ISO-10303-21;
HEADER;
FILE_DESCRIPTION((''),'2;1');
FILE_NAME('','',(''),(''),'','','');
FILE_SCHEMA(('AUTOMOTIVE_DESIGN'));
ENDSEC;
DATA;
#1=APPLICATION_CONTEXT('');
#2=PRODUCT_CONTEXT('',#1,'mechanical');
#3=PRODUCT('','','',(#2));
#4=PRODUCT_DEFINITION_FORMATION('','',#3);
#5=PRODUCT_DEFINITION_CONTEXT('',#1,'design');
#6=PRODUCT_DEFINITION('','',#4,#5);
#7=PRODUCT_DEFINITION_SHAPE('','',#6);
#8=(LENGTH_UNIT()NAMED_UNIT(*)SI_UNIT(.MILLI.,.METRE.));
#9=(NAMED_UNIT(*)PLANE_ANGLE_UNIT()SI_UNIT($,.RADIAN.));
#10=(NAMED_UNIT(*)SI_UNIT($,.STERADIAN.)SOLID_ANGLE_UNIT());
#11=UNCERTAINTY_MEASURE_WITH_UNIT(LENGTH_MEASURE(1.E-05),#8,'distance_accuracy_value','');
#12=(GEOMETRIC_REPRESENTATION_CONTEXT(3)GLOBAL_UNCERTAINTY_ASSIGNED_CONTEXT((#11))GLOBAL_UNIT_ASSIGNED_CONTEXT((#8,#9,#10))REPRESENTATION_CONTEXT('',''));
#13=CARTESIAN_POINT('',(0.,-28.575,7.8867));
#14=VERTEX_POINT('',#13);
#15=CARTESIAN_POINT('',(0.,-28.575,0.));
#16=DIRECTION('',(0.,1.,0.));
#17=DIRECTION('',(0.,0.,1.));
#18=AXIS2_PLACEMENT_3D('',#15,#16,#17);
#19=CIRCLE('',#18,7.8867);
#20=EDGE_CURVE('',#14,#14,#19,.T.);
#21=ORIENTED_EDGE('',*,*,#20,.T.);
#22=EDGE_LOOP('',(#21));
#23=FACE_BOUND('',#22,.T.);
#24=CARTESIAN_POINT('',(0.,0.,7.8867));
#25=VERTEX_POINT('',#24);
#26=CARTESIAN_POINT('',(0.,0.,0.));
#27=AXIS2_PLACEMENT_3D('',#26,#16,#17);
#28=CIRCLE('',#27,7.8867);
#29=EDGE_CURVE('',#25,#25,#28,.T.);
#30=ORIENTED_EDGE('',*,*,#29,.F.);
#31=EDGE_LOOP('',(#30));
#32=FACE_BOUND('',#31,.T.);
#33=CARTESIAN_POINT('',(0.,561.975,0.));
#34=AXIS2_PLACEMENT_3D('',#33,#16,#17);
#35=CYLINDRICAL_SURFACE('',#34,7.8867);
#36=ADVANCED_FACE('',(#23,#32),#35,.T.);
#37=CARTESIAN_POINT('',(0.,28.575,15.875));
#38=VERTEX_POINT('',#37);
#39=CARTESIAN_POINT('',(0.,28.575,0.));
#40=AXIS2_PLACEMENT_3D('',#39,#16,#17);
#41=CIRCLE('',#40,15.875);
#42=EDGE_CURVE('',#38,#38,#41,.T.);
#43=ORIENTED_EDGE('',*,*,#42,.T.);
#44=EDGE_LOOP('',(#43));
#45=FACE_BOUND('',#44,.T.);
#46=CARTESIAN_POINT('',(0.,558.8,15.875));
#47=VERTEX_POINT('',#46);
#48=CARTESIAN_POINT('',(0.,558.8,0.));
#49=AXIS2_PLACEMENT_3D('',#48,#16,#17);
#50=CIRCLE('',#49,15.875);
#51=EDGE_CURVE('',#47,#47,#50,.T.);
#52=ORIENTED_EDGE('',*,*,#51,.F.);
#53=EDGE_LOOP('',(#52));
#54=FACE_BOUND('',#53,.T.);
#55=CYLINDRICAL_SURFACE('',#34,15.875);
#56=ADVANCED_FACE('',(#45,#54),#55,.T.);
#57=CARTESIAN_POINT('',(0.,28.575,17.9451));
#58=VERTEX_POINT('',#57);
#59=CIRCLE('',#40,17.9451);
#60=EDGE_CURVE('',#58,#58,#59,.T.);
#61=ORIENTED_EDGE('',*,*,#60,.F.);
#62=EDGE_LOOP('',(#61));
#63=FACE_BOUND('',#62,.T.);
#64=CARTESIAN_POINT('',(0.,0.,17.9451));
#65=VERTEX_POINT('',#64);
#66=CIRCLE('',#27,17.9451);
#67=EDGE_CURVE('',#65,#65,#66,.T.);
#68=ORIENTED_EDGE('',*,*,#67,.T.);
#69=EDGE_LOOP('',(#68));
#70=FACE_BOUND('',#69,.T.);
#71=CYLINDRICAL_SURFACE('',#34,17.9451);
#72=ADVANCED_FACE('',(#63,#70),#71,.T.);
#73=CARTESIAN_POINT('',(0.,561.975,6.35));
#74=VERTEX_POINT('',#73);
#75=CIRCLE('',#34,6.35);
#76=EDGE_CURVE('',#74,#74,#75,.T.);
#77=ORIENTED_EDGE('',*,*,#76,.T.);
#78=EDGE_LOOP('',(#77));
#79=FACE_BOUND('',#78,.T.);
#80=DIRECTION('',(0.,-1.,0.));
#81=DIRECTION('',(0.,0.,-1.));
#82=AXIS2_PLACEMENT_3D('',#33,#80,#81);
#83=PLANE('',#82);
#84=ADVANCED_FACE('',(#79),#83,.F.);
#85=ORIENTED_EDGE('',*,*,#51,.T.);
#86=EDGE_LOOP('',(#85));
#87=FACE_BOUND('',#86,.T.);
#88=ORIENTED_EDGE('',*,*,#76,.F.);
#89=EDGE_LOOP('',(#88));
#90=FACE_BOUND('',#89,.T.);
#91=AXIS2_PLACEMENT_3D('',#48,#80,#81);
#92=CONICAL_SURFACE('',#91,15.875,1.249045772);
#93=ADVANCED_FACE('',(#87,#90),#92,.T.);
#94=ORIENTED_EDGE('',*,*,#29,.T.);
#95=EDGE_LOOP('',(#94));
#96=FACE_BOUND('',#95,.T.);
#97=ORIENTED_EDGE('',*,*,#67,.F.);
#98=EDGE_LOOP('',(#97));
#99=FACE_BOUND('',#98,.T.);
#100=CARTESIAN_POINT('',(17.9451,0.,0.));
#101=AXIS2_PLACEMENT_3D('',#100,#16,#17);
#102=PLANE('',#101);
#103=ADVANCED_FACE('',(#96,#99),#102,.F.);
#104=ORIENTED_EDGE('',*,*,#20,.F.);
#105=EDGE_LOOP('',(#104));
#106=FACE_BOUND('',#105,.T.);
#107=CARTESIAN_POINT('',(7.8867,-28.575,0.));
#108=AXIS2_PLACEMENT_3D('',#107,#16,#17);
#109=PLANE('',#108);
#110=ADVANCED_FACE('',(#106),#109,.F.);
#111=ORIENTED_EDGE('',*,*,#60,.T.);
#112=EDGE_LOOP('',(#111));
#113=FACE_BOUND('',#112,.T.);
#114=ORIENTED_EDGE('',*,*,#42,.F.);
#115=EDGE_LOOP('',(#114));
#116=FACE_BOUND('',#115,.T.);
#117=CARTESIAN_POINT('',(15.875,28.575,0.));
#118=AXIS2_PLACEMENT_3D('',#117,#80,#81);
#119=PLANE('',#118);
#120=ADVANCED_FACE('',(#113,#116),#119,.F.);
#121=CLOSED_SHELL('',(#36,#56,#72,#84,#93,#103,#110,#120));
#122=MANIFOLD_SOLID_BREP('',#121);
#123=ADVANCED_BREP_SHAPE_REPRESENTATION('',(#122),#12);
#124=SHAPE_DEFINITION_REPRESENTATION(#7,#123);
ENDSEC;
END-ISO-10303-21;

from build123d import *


with BuildPart() as part:
    # Sketch1 → Revolve1 (revolve)
    with BuildSketch(Plane.XY, mode=Mode.PRIVATE) as revolve1_sk:
        Polygon((0, 561.975), (6.35, 561.975), (15.875, 558.8), (15.875, 28.575), (17.9451, 28.575), (17.9451, 0), (7.8867, 0), (7.8867, -28.575), (0, -28.575), align=None)
    revolve(revolve1_sk.sketch.rotate(Axis((0, 561.975, 0), (0, -1, 0)), 90), axis=Axis((0, 561.975, 0), (0, -1, 0)))


solid = part.part
